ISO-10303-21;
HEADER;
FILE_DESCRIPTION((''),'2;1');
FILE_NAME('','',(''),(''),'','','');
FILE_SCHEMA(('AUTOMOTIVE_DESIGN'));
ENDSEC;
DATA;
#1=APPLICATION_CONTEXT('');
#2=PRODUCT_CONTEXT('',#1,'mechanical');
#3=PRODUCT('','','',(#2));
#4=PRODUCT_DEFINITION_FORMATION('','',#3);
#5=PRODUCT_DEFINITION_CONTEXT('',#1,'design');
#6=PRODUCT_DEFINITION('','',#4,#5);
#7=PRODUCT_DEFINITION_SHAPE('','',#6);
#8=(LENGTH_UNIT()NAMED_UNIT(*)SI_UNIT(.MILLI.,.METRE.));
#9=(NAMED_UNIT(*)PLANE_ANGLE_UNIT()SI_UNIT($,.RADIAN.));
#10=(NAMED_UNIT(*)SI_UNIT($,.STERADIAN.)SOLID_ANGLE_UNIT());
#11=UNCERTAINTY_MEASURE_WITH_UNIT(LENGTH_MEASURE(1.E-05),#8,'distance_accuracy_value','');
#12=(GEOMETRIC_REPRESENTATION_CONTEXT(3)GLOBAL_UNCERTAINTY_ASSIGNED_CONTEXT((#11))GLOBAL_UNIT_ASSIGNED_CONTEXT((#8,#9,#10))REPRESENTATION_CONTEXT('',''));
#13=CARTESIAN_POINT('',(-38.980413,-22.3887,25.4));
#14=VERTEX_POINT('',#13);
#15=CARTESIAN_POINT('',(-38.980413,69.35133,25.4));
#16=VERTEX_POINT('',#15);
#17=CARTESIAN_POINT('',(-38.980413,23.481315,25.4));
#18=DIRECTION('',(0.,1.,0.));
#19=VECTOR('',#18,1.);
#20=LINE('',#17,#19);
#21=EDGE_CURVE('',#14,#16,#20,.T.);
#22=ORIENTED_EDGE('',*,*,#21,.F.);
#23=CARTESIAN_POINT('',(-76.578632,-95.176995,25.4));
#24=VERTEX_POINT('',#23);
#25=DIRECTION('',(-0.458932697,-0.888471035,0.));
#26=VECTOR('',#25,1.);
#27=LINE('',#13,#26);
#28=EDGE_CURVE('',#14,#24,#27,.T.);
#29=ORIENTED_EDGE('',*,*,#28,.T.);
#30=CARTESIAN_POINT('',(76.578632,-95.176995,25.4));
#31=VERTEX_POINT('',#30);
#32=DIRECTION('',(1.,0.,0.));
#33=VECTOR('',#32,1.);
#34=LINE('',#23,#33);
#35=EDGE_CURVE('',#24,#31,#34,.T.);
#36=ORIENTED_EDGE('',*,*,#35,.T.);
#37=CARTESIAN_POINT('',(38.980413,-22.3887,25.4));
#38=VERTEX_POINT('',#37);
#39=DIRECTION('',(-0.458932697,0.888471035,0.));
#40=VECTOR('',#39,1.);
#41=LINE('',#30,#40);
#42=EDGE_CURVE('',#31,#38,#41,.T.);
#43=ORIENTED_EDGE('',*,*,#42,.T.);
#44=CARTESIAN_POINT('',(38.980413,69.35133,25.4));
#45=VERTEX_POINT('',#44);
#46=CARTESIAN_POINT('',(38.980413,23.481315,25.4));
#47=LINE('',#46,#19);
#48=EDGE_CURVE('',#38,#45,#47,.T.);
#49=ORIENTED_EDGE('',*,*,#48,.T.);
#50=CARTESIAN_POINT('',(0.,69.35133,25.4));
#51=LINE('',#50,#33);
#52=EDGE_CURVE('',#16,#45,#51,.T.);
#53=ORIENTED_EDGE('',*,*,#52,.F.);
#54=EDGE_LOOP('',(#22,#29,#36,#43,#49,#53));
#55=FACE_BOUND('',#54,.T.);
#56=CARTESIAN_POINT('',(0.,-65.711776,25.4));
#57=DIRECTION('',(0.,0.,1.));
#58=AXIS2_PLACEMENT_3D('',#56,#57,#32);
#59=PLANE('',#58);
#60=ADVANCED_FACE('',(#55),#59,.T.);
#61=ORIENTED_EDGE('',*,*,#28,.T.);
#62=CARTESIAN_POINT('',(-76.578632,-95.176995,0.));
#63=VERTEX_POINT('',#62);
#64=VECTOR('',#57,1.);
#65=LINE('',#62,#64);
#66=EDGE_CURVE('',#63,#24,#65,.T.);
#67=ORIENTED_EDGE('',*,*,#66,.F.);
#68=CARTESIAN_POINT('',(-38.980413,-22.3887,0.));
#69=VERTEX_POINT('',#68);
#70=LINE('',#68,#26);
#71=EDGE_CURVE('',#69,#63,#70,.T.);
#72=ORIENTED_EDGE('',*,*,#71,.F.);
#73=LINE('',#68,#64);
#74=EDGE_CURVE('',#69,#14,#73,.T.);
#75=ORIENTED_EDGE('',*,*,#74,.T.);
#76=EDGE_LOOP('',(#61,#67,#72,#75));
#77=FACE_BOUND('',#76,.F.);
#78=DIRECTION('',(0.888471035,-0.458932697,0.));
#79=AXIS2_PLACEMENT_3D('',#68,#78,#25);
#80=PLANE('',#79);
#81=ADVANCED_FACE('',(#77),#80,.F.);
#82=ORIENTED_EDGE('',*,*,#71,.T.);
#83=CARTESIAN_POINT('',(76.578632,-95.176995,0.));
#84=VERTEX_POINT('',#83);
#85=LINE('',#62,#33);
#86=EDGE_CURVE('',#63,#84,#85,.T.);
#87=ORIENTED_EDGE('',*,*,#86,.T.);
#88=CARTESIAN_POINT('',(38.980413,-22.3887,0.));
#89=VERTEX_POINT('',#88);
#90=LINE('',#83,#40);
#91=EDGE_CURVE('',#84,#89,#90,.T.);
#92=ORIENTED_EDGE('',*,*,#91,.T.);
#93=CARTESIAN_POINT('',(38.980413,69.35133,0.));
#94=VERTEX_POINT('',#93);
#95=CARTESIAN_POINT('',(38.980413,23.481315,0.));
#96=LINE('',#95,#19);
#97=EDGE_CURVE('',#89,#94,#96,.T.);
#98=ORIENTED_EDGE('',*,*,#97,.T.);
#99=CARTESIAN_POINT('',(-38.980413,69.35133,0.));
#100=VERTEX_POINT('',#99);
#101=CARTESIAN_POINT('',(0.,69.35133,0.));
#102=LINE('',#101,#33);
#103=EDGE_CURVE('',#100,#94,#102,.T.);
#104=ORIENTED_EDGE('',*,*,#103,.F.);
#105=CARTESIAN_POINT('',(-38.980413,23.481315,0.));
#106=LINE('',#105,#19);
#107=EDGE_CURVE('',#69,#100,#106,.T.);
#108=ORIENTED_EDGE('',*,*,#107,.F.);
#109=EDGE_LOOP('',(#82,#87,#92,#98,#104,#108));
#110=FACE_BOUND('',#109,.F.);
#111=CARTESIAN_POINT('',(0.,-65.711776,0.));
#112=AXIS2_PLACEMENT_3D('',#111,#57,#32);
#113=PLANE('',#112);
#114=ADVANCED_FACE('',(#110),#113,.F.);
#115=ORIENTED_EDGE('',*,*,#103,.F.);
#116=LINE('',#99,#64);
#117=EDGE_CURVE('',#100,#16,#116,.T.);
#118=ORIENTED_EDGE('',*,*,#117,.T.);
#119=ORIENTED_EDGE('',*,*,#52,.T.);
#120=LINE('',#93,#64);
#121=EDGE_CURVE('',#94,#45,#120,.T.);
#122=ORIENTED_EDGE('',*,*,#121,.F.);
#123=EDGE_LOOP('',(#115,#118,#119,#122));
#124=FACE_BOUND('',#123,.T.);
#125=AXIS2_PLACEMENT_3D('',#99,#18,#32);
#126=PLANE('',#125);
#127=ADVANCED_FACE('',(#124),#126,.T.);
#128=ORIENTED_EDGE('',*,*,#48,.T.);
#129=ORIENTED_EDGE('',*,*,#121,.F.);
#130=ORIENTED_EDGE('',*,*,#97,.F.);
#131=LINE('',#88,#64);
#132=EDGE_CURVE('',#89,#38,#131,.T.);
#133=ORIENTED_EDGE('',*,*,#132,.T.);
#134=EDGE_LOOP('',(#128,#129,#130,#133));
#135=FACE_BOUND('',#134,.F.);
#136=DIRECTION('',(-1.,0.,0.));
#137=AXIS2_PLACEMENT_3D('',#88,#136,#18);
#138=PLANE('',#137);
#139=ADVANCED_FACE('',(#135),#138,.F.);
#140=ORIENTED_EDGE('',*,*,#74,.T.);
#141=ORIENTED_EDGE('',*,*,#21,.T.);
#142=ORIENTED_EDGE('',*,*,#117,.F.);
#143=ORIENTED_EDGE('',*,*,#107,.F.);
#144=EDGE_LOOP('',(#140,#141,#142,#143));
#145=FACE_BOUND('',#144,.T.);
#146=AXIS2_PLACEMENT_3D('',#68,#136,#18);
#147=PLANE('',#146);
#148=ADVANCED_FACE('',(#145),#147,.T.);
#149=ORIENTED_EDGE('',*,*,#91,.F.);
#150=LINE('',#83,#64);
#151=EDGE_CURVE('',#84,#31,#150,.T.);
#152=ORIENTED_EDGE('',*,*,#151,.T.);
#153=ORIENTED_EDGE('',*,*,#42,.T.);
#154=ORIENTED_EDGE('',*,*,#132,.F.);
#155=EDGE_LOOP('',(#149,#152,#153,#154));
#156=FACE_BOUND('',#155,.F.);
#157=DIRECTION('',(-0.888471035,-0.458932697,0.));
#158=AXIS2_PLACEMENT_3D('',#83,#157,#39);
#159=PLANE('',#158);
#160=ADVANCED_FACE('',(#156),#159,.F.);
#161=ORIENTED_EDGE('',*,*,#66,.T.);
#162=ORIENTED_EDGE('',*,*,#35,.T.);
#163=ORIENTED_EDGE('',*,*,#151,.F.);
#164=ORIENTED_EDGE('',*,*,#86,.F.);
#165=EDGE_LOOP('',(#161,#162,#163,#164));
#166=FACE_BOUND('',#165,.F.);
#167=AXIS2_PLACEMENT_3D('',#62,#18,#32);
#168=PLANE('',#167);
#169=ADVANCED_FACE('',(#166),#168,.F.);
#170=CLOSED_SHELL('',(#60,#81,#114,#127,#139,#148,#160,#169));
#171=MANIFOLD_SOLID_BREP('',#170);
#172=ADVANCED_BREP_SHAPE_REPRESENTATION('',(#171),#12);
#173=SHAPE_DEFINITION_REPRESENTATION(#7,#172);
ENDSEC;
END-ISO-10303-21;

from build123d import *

# Parameters (mm, degrees)
F0_W     = 77.960826
F0_H     = 91.74003
F1_DEPTH = 25.4
F2_DEPTH = 25.4


with BuildPart() as f1:
    # F0 (on Top) → F1 (new body)
    with BuildSketch(Plane.XY):
        with Locations((0, 23.481315)):
            Rectangle(F0_W, F0_H)
    extrude(amount=F1_DEPTH)

    # F0 (on Top) → F2 (join)
    with BuildSketch(Plane.XY):
        Polygon((-76.578632, -95.176995), (76.578632, -95.176995), (38.980413, -22.3887), (-38.980413, -22.3887), align=None)
    extrude(amount=F2_DEPTH)


solid = f1.part
